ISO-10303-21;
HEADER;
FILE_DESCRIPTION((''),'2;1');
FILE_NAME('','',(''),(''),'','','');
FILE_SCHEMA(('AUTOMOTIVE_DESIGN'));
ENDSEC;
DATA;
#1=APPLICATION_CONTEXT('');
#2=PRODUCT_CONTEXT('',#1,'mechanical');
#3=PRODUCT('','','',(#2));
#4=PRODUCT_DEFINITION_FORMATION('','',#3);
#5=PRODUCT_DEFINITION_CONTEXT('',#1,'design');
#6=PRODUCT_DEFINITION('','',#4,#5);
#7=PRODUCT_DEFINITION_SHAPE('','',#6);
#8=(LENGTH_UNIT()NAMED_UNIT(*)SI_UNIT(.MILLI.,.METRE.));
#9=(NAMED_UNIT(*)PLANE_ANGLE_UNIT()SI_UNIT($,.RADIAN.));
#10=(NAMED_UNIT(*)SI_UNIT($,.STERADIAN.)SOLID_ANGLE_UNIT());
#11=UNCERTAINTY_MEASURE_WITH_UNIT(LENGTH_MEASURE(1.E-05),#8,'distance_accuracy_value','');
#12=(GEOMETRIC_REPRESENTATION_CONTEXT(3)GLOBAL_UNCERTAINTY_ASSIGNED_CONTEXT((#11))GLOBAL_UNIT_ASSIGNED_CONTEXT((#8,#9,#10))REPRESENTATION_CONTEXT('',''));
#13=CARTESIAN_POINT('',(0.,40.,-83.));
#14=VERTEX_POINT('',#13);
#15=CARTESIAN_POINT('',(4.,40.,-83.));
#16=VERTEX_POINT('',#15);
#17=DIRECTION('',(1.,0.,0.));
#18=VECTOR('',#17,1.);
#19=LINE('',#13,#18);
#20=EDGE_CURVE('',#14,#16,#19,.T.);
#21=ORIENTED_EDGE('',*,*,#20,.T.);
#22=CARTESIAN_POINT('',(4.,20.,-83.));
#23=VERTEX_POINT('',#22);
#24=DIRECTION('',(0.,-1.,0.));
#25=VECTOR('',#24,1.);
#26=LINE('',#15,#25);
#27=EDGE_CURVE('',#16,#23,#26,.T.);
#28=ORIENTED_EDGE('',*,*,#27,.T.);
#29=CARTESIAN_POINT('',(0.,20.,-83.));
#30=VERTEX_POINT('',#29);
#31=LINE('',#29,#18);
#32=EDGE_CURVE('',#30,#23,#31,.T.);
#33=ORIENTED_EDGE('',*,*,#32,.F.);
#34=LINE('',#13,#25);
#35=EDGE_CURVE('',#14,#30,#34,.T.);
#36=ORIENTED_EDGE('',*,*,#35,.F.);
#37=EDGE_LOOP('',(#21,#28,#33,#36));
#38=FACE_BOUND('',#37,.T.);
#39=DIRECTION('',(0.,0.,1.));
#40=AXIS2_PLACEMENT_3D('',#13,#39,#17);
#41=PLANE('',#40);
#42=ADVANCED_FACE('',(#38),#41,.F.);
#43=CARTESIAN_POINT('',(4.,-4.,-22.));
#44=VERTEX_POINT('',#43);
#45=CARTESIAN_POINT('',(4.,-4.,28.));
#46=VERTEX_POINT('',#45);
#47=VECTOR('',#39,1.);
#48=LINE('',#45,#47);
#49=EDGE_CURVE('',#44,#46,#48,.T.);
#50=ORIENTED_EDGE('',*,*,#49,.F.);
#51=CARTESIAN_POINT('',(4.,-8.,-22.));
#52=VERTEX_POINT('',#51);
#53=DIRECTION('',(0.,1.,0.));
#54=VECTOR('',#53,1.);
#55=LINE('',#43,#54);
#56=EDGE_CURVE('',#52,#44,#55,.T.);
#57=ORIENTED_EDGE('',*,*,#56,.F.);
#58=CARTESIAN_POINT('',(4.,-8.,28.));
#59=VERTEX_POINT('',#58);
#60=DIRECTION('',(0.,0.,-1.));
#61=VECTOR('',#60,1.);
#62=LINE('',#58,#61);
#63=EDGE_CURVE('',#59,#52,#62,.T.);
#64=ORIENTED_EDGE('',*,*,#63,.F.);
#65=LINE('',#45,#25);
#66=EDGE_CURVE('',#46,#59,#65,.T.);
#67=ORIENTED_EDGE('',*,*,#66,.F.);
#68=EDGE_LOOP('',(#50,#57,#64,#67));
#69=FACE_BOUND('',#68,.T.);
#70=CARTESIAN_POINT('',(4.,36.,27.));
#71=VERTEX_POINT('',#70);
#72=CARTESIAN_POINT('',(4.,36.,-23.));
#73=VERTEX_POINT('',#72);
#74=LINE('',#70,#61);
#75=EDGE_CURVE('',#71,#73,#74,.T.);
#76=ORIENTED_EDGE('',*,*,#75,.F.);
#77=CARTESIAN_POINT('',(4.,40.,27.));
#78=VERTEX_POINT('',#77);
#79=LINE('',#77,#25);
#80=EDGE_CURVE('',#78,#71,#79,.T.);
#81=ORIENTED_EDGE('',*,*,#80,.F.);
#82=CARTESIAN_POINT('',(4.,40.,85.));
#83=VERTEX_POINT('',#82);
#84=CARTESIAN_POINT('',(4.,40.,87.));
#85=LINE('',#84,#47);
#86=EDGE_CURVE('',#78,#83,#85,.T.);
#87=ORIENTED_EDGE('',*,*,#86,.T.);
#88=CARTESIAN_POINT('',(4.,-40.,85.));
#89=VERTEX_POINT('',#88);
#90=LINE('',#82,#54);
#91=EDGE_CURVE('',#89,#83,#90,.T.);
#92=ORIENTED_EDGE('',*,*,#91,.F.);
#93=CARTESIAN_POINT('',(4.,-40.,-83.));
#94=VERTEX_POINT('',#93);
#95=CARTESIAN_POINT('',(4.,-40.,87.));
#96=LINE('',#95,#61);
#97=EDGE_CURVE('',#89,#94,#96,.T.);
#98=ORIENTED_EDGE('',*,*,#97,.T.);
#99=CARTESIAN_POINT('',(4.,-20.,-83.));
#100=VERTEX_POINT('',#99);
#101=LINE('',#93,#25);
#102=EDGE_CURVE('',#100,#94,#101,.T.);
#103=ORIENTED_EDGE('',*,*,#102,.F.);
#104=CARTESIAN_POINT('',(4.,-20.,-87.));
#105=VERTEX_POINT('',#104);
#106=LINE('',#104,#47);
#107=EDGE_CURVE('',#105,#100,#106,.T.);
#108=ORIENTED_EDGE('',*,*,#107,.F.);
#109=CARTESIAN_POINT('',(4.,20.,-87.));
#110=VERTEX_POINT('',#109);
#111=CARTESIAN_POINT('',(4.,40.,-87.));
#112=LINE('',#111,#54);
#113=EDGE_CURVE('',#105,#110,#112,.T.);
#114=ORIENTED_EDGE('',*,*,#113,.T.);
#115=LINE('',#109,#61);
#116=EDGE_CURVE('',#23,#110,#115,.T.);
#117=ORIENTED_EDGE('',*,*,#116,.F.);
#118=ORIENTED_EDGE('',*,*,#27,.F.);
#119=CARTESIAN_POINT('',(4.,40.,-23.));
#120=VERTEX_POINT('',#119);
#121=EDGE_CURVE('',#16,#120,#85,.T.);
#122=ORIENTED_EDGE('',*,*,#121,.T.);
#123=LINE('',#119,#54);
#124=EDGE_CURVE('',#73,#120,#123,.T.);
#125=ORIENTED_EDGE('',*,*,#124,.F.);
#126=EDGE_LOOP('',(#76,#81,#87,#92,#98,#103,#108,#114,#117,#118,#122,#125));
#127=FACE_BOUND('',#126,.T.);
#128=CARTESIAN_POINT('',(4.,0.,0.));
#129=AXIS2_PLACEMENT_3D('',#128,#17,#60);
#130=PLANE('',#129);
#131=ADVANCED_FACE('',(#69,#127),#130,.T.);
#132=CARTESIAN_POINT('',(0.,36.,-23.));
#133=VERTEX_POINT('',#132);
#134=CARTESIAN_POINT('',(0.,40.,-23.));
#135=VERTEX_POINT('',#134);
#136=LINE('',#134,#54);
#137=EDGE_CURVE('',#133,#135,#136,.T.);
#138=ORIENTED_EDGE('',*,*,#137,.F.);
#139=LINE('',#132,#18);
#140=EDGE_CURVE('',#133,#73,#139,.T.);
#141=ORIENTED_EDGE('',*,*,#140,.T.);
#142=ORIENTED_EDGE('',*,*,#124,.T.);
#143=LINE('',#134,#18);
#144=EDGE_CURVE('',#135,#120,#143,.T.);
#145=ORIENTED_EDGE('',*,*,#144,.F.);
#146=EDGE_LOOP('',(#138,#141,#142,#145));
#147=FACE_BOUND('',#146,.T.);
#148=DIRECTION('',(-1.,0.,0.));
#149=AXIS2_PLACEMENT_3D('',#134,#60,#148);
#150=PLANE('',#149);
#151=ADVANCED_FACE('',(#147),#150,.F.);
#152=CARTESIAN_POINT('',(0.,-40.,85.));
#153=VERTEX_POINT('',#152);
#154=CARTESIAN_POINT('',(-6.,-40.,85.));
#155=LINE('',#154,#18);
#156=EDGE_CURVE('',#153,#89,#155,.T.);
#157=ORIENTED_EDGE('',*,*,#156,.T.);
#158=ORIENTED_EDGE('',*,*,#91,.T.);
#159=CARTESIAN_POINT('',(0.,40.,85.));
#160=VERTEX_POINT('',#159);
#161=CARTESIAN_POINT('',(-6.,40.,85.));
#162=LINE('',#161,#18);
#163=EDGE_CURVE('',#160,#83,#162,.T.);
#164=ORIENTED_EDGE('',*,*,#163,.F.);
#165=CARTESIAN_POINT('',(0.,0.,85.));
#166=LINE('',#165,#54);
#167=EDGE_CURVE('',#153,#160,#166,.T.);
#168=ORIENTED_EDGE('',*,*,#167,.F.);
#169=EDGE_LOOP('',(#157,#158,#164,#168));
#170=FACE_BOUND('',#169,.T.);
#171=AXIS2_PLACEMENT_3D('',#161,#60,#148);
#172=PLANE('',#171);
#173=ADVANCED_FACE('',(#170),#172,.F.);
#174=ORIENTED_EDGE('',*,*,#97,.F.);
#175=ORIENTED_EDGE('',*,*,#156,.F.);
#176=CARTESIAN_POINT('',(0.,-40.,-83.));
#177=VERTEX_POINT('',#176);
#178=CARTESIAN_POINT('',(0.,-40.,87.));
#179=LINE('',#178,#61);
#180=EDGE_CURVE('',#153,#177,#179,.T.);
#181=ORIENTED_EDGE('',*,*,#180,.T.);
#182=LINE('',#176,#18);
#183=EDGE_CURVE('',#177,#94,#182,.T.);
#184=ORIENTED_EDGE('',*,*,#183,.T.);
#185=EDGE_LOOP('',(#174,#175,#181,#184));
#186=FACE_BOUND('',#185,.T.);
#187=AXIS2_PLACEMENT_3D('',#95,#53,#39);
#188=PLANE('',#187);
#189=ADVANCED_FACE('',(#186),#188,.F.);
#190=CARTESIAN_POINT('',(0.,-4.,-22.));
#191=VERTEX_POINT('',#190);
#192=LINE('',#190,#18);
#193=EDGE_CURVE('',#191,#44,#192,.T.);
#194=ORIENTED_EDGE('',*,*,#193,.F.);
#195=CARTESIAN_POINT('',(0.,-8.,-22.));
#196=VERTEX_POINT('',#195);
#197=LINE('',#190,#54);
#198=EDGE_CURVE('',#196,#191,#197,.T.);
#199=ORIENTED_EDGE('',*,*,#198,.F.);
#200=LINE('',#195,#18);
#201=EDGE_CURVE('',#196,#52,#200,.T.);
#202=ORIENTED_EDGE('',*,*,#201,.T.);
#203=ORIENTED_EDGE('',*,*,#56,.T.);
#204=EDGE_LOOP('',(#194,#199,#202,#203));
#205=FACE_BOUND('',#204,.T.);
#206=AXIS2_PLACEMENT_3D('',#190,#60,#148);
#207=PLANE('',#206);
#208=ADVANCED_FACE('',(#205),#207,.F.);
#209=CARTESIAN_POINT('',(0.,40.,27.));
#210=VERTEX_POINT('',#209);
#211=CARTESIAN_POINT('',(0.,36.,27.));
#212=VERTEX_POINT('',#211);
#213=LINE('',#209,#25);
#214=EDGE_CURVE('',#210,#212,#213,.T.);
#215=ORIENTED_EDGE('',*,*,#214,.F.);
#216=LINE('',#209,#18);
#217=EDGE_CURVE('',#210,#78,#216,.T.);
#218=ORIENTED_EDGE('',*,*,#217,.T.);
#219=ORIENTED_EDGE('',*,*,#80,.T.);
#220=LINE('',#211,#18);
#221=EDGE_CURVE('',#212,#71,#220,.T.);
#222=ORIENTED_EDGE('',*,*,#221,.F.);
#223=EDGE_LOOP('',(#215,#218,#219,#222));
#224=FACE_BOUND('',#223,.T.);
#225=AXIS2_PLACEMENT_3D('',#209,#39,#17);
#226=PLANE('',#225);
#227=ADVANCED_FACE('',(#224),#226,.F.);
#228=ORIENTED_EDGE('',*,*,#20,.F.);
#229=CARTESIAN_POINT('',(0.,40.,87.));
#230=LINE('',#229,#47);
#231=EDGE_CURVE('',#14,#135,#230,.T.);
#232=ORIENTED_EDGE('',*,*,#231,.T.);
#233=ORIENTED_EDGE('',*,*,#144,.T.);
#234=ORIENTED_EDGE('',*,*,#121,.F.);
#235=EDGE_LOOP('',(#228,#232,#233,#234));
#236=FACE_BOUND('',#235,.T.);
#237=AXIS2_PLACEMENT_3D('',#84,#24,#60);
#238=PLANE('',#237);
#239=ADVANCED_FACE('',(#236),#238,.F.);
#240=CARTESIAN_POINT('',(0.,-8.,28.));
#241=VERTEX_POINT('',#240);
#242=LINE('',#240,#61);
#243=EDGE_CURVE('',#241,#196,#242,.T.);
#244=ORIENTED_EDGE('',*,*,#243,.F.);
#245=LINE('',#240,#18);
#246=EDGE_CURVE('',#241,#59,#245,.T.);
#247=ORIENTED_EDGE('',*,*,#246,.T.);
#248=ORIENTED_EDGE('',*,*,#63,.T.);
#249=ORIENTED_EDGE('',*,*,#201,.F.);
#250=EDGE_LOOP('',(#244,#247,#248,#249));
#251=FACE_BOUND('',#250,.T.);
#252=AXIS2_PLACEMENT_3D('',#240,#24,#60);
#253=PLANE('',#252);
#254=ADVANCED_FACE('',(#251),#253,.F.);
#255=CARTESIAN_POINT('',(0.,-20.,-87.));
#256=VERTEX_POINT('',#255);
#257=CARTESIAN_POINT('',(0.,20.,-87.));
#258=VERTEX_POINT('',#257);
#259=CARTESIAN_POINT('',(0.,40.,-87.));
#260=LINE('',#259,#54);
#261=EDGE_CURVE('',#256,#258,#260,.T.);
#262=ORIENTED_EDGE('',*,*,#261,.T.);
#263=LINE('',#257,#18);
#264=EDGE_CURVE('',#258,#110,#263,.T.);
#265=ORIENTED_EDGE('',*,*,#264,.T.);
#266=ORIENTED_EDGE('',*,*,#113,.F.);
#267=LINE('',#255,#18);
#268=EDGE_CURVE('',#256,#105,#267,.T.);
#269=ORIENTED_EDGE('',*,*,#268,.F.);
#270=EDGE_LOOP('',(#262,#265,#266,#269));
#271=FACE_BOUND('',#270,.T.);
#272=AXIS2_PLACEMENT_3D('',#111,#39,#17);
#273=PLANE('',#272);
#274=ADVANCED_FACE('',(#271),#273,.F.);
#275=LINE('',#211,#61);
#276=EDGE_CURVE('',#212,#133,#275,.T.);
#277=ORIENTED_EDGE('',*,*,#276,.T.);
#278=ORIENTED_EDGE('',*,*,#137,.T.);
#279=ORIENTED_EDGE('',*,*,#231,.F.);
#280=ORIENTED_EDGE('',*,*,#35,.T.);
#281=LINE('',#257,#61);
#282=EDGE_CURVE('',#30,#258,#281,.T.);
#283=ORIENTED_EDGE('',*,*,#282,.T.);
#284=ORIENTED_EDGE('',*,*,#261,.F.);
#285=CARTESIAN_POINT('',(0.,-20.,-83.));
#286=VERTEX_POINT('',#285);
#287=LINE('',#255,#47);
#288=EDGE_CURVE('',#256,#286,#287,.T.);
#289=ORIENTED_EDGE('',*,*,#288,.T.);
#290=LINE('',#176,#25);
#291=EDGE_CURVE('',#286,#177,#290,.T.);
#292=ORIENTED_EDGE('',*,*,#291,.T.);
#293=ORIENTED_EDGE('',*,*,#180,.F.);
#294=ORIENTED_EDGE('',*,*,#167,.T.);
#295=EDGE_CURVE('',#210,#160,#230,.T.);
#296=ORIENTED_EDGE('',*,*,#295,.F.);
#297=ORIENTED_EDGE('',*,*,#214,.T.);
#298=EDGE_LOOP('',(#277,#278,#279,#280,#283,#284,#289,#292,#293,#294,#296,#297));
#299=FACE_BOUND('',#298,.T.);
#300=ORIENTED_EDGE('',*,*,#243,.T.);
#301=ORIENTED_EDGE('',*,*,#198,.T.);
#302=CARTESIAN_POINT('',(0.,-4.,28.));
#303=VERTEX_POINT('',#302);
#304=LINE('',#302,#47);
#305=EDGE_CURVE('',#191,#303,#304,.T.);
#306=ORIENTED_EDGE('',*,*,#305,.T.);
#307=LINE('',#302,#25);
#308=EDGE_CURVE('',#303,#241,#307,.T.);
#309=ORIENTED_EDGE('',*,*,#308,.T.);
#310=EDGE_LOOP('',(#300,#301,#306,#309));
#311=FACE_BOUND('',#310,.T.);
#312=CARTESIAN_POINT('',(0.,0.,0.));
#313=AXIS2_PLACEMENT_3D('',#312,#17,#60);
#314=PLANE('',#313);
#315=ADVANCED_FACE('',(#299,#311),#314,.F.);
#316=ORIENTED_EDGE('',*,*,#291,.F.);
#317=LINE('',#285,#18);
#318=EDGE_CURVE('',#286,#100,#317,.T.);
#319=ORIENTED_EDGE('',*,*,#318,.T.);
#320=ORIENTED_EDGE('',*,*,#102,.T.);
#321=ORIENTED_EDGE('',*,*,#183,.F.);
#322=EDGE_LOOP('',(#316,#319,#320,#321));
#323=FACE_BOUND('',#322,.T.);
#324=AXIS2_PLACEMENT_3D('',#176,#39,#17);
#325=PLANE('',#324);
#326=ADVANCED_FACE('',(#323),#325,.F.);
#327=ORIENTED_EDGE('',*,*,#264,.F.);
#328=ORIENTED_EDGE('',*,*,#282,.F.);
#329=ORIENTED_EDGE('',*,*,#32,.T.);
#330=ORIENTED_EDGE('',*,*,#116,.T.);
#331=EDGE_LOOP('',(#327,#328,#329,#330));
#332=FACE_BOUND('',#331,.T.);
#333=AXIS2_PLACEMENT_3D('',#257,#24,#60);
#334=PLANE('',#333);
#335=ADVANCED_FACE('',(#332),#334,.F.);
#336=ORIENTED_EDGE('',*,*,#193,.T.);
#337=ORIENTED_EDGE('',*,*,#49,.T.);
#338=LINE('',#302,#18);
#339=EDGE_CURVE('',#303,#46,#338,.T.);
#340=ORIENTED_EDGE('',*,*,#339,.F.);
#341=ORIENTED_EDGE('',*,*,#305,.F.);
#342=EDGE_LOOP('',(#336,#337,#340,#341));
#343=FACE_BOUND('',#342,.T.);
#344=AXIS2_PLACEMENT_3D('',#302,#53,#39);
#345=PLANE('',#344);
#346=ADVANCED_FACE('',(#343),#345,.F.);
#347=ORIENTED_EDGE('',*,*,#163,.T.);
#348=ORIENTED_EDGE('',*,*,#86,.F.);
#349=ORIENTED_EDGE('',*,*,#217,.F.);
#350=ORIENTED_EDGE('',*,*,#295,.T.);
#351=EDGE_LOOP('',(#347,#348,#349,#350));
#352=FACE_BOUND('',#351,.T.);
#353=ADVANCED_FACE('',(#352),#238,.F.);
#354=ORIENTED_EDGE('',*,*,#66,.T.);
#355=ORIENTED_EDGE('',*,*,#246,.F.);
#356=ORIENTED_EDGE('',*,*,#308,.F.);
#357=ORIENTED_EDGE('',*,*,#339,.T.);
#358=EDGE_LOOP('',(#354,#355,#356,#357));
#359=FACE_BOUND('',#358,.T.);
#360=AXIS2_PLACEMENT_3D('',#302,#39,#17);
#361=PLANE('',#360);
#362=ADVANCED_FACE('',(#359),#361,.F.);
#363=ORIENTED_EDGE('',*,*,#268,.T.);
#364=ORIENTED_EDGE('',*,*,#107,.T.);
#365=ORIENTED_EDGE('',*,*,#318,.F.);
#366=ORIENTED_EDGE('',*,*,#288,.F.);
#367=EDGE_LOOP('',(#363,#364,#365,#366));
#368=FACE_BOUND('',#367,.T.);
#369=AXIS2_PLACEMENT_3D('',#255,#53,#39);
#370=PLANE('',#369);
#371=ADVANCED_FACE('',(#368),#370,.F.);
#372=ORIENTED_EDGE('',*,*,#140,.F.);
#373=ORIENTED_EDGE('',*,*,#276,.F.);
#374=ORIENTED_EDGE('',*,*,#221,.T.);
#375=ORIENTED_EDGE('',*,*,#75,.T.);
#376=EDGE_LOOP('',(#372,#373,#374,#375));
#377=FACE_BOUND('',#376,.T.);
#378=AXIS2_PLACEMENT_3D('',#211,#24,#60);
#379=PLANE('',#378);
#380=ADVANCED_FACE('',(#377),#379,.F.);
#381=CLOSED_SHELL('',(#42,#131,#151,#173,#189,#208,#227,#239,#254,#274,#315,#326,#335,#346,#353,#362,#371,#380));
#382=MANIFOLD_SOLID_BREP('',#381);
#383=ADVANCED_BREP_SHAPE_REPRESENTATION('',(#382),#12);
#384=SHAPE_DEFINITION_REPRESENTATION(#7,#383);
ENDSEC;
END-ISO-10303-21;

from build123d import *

# Parameters (mm, degrees)
SKETCH_1_W          = 174
SKETCH_1_H          = 80
EXTRUDE_1_DEPTH     = 4
SKETCH_3_W          = 4
SKETCH_3_H          = 20
CUT_EXTRUDE_1_DEPTH = 4
SKETCH_4_W          = 50
SKETCH_4_H          = 4
CUT_EXTRUDE_2_DEPTH = 4
SKETCH_5_W          = 2
SKETCH_5_H          = 80
CUT_EXTRUDE_3_DEPTH = 10
SKETCH_6_W          = 50
SKETCH_6_H          = 4
CUT_EXTRUDE_4_DEPTH = 4


with BuildPart() as part:
    # 스케치1 → 보스-돌출1 (new body)
    with BuildSketch(Plane(origin=(0, 0, 0), x_dir=(0, 0, -1), z_dir=(1, 0, 0))):
        Rectangle(SKETCH_1_W, SKETCH_1_H)
    extrude(amount=EXTRUDE_1_DEPTH)

    # 스케치3 → 컷-돌출1 (cut)
    with BuildSketch(Plane(origin=(4, 0, 0), x_dir=(0, 0, -1), z_dir=(1, 0, 0))):
        with Locations((85, 30)):
            Rectangle(SKETCH_3_W, SKETCH_3_H)
        with Locations((85, -30)):
            Rectangle(SKETCH_3_W, SKETCH_3_H)
    extrude(amount=-CUT_EXTRUDE_1_DEPTH, mode=Mode.SUBTRACT)

    # 스케치4 → 컷-돌출2 (cut)
    with BuildSketch(Plane(origin=(4, 0, 0), x_dir=(0, 0, -1), z_dir=(1, 0, 0))):
        with Locations((-2, 38)):
            Rectangle(SKETCH_4_W, SKETCH_4_H)
    extrude(amount=-CUT_EXTRUDE_2_DEPTH, mode=Mode.SUBTRACT)

    # 스케치5 → 컷-돌출3 (cut)
    with BuildSketch(Plane(origin=(4, 0, 0), x_dir=(0, 0, -1), z_dir=(1, 0, 0))):
        with Locations((-86, 0)):
            Rectangle(SKETCH_5_W, SKETCH_5_H)
    extrude(amount=-CUT_EXTRUDE_3_DEPTH, mode=Mode.SUBTRACT)

    # 스케치6 → 컷-돌출4 (cut)
    with BuildSketch(Plane(origin=(4, 0, 0), x_dir=(0, 0, -1), z_dir=(1, 0, 0))):
        with Locations((-3, -6)):
            Rectangle(SKETCH_6_W, SKETCH_6_H)
    extrude(amount=-CUT_EXTRUDE_4_DEPTH, mode=Mode.SUBTRACT)


solid = part.part
